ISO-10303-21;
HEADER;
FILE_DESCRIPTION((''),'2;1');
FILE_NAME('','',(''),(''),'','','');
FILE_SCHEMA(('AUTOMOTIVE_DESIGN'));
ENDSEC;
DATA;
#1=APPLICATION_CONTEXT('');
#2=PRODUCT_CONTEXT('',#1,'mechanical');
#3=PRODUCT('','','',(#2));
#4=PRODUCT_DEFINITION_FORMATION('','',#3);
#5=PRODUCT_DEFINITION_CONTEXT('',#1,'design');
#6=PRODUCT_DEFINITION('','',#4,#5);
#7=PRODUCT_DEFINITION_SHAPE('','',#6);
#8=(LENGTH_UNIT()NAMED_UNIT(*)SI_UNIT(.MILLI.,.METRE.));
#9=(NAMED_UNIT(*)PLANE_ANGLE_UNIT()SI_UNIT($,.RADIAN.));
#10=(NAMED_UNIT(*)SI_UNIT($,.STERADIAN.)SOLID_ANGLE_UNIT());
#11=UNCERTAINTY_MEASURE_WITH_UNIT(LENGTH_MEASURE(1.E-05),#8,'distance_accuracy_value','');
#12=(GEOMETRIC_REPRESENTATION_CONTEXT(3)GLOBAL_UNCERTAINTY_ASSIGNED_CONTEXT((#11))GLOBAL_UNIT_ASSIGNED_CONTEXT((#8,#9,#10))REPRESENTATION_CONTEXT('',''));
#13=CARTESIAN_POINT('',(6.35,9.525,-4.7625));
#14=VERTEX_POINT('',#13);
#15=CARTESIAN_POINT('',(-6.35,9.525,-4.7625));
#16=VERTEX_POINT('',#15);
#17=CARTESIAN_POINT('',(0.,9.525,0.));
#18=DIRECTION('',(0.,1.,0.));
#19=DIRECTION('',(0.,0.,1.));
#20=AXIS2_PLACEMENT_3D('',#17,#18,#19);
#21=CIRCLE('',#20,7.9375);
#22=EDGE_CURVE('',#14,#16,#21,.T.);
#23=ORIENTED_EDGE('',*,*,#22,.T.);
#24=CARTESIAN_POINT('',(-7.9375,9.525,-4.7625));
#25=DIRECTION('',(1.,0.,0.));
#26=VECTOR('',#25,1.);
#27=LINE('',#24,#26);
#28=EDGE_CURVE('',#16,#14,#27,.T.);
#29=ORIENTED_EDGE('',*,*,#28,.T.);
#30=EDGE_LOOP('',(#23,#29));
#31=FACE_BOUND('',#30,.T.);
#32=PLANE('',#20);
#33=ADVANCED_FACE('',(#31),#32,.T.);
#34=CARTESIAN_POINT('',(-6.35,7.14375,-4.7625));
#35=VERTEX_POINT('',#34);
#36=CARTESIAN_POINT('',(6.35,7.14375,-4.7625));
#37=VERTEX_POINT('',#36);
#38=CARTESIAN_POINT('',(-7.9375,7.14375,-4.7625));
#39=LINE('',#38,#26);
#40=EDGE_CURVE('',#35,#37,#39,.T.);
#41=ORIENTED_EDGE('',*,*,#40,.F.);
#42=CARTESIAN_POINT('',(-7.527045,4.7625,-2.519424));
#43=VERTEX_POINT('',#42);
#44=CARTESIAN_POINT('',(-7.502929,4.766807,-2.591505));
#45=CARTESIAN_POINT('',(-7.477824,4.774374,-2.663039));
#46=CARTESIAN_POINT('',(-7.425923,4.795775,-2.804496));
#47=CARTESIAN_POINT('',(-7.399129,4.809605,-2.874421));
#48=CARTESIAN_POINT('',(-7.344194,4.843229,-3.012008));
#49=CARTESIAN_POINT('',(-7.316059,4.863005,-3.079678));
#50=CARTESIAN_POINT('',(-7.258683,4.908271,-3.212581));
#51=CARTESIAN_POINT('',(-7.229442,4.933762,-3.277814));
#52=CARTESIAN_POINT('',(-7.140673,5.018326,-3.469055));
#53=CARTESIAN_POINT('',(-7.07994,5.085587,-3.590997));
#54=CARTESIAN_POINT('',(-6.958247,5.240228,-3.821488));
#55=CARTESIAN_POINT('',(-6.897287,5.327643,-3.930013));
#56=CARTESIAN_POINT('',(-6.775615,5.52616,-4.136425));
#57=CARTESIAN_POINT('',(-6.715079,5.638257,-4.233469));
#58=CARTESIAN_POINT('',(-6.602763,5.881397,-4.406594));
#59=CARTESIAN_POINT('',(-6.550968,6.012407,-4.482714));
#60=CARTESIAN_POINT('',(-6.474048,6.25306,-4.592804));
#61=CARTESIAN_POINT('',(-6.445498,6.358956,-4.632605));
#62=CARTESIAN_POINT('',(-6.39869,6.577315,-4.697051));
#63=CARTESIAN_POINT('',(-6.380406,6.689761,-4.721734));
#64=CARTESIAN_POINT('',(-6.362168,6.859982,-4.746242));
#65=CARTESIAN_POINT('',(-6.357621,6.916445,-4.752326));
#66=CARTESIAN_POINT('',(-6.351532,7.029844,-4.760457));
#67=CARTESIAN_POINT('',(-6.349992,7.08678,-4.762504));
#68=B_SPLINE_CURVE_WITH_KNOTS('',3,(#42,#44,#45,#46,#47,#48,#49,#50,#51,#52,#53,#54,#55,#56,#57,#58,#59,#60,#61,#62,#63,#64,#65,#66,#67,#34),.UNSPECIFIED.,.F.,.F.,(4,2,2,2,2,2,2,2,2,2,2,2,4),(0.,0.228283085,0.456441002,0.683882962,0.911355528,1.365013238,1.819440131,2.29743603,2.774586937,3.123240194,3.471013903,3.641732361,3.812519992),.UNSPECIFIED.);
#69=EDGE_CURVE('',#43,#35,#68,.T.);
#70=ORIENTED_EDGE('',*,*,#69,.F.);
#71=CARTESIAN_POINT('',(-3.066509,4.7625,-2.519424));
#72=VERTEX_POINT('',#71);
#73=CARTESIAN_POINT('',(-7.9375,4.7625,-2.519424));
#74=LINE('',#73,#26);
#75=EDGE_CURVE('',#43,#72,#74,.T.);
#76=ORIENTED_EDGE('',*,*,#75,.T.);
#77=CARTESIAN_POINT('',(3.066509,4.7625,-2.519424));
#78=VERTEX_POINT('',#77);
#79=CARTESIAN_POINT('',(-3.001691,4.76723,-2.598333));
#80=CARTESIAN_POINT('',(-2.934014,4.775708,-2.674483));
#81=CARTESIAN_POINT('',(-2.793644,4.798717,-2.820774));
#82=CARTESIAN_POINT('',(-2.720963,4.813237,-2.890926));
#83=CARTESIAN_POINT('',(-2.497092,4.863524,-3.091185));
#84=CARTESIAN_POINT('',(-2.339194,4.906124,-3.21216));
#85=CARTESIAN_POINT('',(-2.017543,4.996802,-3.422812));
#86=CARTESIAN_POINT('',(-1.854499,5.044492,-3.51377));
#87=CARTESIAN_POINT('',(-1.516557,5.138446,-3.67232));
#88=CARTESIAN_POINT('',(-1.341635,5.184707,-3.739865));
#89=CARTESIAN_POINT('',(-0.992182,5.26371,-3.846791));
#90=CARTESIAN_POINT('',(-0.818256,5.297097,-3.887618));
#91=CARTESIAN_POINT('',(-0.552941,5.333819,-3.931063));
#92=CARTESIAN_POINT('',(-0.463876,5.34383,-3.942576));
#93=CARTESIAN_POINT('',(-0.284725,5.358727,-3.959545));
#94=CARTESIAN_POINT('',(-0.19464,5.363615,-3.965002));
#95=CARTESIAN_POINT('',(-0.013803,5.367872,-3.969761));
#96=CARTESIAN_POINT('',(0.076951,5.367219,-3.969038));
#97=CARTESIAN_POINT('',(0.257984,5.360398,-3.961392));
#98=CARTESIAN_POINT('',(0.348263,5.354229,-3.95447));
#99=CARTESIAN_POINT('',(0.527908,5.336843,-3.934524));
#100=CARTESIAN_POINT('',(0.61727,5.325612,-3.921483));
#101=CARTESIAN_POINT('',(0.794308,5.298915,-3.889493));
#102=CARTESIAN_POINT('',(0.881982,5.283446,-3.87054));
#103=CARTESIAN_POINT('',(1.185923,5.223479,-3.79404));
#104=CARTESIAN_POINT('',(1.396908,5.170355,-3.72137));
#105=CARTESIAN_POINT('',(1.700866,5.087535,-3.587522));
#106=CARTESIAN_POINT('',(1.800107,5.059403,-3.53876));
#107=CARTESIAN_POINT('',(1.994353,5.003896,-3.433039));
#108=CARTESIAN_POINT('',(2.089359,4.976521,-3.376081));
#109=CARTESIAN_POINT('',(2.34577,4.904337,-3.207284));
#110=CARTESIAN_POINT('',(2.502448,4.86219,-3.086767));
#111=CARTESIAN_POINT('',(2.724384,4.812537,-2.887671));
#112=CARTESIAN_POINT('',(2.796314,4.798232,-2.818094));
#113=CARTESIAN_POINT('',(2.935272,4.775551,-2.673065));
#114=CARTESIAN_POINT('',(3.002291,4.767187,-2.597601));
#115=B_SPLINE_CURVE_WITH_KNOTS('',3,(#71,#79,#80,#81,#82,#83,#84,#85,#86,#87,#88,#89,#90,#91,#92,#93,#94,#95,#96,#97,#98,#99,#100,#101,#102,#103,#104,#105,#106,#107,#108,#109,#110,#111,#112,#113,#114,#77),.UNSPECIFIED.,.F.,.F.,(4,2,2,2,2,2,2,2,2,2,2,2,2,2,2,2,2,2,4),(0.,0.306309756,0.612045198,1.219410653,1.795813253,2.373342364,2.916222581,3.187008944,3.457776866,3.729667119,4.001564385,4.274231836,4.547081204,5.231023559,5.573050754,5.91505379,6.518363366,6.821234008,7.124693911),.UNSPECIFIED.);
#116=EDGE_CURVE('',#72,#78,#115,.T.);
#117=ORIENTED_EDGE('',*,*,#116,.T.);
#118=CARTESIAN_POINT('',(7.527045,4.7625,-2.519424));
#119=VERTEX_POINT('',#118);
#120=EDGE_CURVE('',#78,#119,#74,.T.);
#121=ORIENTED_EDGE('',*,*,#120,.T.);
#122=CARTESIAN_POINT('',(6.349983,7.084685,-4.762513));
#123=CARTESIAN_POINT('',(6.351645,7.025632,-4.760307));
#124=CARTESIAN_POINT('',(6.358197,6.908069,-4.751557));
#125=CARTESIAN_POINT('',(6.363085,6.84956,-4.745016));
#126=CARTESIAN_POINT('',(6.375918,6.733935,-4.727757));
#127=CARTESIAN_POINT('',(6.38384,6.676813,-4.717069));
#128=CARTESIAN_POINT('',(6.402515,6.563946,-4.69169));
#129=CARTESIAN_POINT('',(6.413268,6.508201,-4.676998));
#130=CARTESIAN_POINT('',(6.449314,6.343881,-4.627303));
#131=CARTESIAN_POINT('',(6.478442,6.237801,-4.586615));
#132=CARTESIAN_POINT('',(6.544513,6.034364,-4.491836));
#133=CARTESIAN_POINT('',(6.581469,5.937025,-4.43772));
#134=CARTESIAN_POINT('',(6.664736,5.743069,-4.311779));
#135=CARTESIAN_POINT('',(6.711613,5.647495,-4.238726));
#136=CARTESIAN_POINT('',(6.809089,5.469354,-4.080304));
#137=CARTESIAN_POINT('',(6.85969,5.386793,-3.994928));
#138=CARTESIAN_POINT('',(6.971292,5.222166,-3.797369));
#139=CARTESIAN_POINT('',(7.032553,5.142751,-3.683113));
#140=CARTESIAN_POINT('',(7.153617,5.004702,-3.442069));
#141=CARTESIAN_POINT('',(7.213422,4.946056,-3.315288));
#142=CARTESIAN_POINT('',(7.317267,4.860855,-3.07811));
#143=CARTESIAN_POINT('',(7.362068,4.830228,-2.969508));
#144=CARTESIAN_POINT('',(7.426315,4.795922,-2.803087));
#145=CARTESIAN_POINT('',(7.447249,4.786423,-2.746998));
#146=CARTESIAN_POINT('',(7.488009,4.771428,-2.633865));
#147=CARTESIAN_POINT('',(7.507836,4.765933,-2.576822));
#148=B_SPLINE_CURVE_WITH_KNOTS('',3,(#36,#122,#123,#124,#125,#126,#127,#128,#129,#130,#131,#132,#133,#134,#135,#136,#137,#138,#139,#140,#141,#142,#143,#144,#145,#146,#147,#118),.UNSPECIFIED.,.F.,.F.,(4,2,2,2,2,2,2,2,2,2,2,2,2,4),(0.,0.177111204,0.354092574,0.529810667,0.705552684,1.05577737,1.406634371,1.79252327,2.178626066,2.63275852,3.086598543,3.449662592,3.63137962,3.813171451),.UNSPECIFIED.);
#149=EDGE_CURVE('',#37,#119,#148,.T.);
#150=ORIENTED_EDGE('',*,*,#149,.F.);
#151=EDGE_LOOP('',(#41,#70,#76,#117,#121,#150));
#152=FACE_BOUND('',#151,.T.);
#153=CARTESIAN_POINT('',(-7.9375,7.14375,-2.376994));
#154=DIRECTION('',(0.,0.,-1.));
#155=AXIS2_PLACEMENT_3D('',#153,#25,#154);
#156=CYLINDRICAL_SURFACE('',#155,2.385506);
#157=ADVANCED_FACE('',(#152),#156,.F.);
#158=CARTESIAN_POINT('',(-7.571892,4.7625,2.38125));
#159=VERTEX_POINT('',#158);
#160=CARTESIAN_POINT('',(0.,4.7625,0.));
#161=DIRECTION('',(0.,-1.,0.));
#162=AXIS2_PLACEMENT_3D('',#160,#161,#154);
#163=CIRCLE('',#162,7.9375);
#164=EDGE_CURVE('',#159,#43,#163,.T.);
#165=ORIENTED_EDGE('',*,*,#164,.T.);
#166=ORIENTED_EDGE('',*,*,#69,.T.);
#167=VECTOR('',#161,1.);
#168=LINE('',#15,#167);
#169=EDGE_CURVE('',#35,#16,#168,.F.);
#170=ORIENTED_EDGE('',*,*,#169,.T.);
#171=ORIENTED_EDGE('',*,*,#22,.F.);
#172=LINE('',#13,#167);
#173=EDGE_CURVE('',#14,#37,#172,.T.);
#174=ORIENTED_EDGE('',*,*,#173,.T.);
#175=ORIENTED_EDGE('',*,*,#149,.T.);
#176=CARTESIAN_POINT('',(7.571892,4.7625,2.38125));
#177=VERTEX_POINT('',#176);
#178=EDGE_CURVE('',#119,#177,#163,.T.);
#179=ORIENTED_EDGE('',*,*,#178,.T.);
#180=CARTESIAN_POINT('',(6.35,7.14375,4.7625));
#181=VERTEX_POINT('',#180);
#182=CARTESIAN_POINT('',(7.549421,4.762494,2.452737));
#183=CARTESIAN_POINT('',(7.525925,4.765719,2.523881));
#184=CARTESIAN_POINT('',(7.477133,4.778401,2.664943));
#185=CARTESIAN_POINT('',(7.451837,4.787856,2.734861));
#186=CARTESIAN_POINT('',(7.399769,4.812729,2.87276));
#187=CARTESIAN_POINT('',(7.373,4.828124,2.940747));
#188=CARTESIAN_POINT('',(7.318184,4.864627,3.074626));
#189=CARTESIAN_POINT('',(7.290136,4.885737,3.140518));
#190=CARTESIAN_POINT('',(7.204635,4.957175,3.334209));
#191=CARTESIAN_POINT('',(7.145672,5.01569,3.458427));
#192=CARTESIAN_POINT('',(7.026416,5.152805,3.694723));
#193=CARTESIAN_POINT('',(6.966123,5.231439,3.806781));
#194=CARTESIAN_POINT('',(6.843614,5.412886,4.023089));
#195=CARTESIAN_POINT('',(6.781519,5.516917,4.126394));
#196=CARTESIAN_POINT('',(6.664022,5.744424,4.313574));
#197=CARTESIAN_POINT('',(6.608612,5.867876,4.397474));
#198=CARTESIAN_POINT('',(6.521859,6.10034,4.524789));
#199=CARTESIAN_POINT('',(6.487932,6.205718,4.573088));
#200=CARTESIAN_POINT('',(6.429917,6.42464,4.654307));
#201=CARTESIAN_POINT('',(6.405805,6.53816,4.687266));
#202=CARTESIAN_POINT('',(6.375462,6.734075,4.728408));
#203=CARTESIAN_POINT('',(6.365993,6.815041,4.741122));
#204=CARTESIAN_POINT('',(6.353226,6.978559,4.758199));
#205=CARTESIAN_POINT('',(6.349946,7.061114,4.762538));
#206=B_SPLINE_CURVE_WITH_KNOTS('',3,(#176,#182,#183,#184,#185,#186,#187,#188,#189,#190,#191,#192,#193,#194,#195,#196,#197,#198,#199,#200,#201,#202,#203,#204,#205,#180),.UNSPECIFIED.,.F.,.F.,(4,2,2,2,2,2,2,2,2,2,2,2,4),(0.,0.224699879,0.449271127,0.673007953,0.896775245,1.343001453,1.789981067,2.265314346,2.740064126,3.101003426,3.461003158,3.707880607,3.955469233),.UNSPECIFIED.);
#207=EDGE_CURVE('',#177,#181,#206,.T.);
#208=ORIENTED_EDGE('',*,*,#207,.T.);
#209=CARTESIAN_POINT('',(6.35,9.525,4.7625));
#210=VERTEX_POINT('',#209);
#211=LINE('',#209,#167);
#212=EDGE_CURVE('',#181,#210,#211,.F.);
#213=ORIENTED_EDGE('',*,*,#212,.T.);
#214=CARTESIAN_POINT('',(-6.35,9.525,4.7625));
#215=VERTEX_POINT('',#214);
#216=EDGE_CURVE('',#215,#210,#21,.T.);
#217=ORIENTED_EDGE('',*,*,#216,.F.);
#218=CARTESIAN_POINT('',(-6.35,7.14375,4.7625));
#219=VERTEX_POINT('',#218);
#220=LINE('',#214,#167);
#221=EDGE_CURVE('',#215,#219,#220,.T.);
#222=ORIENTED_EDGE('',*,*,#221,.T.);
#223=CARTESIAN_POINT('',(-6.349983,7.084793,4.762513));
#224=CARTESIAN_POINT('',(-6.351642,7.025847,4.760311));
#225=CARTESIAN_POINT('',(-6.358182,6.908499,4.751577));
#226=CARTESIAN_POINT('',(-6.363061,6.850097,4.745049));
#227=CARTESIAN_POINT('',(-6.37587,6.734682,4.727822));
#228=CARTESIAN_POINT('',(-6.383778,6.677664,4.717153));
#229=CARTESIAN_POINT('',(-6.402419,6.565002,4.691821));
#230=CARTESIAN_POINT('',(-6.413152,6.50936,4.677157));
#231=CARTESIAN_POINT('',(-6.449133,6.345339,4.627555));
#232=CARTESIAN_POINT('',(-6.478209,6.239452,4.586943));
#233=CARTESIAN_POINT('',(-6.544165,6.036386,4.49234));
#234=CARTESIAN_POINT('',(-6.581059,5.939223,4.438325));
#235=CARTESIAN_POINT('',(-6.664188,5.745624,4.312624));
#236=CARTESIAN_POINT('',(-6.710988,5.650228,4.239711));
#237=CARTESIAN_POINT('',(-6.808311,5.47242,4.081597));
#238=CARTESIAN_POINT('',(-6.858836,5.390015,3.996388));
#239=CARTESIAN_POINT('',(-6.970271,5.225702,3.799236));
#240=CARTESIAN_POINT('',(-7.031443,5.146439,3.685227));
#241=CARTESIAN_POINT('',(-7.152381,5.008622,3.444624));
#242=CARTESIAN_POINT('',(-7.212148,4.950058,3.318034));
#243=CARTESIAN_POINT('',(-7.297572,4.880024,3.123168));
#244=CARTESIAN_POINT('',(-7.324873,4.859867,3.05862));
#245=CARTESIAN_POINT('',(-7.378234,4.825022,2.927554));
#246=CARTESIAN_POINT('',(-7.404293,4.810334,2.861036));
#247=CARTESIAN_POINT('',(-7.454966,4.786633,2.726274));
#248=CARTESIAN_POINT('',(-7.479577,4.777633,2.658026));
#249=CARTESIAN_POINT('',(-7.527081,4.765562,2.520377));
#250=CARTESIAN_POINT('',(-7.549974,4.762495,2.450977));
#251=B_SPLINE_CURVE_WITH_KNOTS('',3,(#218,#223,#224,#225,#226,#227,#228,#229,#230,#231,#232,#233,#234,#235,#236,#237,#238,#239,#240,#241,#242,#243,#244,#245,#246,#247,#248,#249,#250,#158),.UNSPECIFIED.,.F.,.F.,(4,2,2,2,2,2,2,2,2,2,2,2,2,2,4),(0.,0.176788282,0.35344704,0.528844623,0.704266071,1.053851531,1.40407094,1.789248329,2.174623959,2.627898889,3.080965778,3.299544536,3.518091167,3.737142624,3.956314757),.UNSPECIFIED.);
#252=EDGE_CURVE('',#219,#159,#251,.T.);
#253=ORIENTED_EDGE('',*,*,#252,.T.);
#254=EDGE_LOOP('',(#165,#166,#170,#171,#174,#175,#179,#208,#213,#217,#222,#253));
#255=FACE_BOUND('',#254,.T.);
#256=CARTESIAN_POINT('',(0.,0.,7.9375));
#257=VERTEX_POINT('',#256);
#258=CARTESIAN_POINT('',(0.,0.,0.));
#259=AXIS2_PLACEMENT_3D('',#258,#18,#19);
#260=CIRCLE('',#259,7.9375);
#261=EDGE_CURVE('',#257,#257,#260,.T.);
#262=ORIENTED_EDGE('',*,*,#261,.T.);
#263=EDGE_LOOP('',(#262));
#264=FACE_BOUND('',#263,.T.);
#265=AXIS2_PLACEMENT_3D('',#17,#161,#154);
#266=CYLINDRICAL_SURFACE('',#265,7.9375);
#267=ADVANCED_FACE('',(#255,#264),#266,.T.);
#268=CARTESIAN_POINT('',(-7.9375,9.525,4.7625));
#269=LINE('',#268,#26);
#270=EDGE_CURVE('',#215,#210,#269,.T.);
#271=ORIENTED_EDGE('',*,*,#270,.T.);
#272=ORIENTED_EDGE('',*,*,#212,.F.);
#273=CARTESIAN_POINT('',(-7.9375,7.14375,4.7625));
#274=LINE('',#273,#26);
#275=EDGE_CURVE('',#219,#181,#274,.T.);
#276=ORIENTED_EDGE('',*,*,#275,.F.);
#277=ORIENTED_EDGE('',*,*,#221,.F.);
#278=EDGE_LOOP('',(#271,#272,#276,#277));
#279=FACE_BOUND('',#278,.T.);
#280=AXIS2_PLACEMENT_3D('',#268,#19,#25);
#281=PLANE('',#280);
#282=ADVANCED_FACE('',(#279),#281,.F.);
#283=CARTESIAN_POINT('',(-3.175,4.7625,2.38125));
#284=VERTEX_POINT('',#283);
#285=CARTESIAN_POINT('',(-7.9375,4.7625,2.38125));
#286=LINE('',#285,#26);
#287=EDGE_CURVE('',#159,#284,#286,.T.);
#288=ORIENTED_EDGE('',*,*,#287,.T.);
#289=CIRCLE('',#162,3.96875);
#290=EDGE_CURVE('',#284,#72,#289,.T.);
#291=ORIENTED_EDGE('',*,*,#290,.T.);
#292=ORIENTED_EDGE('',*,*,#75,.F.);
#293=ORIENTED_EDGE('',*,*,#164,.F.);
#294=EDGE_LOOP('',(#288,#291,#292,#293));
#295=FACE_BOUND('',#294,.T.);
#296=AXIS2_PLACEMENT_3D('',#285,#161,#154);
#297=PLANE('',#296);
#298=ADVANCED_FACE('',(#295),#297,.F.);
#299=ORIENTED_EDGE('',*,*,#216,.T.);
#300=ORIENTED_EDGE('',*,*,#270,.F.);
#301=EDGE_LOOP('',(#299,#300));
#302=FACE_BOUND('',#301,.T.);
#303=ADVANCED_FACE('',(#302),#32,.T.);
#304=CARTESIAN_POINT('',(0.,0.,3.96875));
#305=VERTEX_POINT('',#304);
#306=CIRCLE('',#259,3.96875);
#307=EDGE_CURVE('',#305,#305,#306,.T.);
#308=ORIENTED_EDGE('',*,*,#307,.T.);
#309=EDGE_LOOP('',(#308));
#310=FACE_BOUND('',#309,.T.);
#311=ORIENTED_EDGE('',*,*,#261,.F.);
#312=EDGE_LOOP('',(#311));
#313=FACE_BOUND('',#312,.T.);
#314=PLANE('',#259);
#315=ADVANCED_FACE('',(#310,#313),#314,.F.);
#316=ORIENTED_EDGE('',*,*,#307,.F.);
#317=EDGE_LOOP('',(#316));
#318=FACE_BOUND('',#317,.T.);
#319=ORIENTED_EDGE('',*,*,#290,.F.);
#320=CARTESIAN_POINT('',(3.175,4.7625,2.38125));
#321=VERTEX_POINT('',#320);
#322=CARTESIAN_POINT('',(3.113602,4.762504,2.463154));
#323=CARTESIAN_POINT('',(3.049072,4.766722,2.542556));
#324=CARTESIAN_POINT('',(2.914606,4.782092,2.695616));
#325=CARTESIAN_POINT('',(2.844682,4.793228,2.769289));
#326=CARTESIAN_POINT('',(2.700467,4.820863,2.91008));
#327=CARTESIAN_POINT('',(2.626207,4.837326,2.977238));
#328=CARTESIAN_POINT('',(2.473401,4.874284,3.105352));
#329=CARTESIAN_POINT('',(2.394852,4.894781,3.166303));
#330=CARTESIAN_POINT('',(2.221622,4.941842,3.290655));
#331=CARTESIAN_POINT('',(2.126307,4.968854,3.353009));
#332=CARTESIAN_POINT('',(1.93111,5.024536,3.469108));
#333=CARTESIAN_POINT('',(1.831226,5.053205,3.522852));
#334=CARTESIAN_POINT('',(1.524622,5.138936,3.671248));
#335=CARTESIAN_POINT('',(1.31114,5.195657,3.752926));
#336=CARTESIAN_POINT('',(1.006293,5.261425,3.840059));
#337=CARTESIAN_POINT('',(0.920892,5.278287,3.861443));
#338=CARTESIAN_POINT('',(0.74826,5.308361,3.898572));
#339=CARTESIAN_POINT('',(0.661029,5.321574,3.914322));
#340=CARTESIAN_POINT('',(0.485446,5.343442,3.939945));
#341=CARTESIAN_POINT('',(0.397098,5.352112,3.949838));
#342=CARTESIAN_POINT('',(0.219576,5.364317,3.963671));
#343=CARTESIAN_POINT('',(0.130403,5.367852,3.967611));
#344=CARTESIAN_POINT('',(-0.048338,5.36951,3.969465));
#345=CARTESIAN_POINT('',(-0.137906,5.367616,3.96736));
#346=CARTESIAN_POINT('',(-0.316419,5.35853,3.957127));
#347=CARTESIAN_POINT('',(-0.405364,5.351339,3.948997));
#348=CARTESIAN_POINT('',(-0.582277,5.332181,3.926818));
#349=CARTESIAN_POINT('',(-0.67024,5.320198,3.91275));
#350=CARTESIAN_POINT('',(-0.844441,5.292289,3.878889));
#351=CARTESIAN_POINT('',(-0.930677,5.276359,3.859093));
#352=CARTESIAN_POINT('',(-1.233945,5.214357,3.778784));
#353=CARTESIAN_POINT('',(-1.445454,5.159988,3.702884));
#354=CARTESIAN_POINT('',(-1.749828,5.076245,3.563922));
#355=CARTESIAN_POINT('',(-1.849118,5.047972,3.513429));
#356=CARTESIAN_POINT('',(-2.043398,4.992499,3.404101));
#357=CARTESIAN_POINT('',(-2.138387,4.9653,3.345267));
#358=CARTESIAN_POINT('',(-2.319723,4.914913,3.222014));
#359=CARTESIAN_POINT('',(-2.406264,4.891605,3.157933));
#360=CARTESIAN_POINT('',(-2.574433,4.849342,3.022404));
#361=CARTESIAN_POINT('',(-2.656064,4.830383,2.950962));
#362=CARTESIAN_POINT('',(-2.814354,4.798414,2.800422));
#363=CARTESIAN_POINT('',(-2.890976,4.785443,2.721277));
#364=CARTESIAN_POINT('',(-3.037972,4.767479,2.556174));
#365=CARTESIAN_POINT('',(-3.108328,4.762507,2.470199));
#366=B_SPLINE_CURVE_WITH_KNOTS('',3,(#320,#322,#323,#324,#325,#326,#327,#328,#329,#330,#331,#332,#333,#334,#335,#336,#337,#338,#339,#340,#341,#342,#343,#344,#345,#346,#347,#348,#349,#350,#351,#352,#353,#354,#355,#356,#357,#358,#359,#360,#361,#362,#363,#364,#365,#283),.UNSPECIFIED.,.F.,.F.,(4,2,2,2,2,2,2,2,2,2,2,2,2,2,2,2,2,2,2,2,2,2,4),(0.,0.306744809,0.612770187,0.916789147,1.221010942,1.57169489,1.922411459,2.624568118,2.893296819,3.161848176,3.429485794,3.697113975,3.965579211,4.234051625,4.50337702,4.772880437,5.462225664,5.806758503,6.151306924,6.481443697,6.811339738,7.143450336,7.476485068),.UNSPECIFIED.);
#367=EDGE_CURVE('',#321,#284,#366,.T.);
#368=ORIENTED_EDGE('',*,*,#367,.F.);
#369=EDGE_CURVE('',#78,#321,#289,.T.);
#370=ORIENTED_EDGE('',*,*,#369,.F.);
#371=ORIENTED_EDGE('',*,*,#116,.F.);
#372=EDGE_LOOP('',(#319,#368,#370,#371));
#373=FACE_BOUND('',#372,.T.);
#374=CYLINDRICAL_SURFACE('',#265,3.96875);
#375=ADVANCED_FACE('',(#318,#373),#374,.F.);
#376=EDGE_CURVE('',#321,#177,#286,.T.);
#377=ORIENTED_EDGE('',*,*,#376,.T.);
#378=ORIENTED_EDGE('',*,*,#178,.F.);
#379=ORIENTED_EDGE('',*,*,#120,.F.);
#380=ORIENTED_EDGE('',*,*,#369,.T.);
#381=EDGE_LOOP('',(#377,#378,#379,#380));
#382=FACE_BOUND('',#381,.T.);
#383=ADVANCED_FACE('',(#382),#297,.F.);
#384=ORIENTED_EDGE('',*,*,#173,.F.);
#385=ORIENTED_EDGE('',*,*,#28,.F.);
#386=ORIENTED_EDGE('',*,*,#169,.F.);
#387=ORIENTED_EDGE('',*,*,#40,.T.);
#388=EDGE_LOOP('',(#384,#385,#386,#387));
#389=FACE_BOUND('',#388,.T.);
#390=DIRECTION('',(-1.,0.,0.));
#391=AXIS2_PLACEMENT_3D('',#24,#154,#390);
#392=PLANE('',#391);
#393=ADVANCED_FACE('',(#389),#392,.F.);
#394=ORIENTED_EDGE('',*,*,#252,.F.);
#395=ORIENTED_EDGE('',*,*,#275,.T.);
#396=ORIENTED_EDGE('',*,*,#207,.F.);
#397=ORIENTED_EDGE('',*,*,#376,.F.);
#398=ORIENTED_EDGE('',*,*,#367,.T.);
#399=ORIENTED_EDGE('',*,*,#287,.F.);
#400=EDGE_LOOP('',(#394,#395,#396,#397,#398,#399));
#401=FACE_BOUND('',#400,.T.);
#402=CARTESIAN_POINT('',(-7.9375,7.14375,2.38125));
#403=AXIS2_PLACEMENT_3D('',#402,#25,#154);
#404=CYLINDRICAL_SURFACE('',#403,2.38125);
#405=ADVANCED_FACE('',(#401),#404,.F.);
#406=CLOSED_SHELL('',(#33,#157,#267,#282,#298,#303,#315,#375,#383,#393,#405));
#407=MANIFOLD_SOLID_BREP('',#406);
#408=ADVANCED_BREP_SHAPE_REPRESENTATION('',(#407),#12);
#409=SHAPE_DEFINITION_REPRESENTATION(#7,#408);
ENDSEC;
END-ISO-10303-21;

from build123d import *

# Parameters (mm, degrees)
SKETCH1_R               = 7.9375
SKETCH1_R_2             = 3.96875
BOSS_EXTRUDE1_DEPTH     = 9.525
CUT_EXTRUDE1_DEPTH      = 15.721869362
CUT_EXTRUDE1_DEPTH_BACK = 15.721869362


with BuildPart() as part:
    # Sketch1 → Boss-Extrude1 (new body)
    with BuildSketch(Plane(origin=(0, 0, 0), x_dir=(1, 0, 0), z_dir=(0, 1, 0))):
        with Locations(Location((0, 0, 0), (0, 0, 90))):
            Circle(SKETCH1_R)
        with Locations(Location((0, 0, 0), (0, 0, 90))):
            Circle(SKETCH1_R_2, mode=Mode.SUBTRACT)
    extrude(amount=BOSS_EXTRUDE1_DEPTH)

    # Sketch2 → Cut-Extrude1 (cut, two sides: drawn at the far end of the back side and taken through both)
    with BuildSketch(Plane(origin=(0, 0, 0), x_dir=(0, 0, -1), z_dir=(1, 0, 0)).offset(-CUT_EXTRUDE1_DEPTH_BACK)):
        with BuildLine():
            Line((-4.7625, 9.525), (4.7625, 9.525))
            Line((4.7625, 9.525), (4.7625, 7.14375))
            ThreePointArc((4.7625, 7.14375), (4.113428058, 5.508074192), (2.519424024, 4.7625))
            Line((2.519424024, 4.7625), (-2.38125, 4.7625))
            ThreePointArc((-2.38125, 4.7625), (-4.065048023, 5.459951977), (-4.7625, 7.14375))
            Line((-4.7625, 7.14375), (-4.7625, 9.525))
        make_face()
    extrude(amount=CUT_EXTRUDE1_DEPTH + CUT_EXTRUDE1_DEPTH_BACK, mode=Mode.SUBTRACT)


solid = part.part
